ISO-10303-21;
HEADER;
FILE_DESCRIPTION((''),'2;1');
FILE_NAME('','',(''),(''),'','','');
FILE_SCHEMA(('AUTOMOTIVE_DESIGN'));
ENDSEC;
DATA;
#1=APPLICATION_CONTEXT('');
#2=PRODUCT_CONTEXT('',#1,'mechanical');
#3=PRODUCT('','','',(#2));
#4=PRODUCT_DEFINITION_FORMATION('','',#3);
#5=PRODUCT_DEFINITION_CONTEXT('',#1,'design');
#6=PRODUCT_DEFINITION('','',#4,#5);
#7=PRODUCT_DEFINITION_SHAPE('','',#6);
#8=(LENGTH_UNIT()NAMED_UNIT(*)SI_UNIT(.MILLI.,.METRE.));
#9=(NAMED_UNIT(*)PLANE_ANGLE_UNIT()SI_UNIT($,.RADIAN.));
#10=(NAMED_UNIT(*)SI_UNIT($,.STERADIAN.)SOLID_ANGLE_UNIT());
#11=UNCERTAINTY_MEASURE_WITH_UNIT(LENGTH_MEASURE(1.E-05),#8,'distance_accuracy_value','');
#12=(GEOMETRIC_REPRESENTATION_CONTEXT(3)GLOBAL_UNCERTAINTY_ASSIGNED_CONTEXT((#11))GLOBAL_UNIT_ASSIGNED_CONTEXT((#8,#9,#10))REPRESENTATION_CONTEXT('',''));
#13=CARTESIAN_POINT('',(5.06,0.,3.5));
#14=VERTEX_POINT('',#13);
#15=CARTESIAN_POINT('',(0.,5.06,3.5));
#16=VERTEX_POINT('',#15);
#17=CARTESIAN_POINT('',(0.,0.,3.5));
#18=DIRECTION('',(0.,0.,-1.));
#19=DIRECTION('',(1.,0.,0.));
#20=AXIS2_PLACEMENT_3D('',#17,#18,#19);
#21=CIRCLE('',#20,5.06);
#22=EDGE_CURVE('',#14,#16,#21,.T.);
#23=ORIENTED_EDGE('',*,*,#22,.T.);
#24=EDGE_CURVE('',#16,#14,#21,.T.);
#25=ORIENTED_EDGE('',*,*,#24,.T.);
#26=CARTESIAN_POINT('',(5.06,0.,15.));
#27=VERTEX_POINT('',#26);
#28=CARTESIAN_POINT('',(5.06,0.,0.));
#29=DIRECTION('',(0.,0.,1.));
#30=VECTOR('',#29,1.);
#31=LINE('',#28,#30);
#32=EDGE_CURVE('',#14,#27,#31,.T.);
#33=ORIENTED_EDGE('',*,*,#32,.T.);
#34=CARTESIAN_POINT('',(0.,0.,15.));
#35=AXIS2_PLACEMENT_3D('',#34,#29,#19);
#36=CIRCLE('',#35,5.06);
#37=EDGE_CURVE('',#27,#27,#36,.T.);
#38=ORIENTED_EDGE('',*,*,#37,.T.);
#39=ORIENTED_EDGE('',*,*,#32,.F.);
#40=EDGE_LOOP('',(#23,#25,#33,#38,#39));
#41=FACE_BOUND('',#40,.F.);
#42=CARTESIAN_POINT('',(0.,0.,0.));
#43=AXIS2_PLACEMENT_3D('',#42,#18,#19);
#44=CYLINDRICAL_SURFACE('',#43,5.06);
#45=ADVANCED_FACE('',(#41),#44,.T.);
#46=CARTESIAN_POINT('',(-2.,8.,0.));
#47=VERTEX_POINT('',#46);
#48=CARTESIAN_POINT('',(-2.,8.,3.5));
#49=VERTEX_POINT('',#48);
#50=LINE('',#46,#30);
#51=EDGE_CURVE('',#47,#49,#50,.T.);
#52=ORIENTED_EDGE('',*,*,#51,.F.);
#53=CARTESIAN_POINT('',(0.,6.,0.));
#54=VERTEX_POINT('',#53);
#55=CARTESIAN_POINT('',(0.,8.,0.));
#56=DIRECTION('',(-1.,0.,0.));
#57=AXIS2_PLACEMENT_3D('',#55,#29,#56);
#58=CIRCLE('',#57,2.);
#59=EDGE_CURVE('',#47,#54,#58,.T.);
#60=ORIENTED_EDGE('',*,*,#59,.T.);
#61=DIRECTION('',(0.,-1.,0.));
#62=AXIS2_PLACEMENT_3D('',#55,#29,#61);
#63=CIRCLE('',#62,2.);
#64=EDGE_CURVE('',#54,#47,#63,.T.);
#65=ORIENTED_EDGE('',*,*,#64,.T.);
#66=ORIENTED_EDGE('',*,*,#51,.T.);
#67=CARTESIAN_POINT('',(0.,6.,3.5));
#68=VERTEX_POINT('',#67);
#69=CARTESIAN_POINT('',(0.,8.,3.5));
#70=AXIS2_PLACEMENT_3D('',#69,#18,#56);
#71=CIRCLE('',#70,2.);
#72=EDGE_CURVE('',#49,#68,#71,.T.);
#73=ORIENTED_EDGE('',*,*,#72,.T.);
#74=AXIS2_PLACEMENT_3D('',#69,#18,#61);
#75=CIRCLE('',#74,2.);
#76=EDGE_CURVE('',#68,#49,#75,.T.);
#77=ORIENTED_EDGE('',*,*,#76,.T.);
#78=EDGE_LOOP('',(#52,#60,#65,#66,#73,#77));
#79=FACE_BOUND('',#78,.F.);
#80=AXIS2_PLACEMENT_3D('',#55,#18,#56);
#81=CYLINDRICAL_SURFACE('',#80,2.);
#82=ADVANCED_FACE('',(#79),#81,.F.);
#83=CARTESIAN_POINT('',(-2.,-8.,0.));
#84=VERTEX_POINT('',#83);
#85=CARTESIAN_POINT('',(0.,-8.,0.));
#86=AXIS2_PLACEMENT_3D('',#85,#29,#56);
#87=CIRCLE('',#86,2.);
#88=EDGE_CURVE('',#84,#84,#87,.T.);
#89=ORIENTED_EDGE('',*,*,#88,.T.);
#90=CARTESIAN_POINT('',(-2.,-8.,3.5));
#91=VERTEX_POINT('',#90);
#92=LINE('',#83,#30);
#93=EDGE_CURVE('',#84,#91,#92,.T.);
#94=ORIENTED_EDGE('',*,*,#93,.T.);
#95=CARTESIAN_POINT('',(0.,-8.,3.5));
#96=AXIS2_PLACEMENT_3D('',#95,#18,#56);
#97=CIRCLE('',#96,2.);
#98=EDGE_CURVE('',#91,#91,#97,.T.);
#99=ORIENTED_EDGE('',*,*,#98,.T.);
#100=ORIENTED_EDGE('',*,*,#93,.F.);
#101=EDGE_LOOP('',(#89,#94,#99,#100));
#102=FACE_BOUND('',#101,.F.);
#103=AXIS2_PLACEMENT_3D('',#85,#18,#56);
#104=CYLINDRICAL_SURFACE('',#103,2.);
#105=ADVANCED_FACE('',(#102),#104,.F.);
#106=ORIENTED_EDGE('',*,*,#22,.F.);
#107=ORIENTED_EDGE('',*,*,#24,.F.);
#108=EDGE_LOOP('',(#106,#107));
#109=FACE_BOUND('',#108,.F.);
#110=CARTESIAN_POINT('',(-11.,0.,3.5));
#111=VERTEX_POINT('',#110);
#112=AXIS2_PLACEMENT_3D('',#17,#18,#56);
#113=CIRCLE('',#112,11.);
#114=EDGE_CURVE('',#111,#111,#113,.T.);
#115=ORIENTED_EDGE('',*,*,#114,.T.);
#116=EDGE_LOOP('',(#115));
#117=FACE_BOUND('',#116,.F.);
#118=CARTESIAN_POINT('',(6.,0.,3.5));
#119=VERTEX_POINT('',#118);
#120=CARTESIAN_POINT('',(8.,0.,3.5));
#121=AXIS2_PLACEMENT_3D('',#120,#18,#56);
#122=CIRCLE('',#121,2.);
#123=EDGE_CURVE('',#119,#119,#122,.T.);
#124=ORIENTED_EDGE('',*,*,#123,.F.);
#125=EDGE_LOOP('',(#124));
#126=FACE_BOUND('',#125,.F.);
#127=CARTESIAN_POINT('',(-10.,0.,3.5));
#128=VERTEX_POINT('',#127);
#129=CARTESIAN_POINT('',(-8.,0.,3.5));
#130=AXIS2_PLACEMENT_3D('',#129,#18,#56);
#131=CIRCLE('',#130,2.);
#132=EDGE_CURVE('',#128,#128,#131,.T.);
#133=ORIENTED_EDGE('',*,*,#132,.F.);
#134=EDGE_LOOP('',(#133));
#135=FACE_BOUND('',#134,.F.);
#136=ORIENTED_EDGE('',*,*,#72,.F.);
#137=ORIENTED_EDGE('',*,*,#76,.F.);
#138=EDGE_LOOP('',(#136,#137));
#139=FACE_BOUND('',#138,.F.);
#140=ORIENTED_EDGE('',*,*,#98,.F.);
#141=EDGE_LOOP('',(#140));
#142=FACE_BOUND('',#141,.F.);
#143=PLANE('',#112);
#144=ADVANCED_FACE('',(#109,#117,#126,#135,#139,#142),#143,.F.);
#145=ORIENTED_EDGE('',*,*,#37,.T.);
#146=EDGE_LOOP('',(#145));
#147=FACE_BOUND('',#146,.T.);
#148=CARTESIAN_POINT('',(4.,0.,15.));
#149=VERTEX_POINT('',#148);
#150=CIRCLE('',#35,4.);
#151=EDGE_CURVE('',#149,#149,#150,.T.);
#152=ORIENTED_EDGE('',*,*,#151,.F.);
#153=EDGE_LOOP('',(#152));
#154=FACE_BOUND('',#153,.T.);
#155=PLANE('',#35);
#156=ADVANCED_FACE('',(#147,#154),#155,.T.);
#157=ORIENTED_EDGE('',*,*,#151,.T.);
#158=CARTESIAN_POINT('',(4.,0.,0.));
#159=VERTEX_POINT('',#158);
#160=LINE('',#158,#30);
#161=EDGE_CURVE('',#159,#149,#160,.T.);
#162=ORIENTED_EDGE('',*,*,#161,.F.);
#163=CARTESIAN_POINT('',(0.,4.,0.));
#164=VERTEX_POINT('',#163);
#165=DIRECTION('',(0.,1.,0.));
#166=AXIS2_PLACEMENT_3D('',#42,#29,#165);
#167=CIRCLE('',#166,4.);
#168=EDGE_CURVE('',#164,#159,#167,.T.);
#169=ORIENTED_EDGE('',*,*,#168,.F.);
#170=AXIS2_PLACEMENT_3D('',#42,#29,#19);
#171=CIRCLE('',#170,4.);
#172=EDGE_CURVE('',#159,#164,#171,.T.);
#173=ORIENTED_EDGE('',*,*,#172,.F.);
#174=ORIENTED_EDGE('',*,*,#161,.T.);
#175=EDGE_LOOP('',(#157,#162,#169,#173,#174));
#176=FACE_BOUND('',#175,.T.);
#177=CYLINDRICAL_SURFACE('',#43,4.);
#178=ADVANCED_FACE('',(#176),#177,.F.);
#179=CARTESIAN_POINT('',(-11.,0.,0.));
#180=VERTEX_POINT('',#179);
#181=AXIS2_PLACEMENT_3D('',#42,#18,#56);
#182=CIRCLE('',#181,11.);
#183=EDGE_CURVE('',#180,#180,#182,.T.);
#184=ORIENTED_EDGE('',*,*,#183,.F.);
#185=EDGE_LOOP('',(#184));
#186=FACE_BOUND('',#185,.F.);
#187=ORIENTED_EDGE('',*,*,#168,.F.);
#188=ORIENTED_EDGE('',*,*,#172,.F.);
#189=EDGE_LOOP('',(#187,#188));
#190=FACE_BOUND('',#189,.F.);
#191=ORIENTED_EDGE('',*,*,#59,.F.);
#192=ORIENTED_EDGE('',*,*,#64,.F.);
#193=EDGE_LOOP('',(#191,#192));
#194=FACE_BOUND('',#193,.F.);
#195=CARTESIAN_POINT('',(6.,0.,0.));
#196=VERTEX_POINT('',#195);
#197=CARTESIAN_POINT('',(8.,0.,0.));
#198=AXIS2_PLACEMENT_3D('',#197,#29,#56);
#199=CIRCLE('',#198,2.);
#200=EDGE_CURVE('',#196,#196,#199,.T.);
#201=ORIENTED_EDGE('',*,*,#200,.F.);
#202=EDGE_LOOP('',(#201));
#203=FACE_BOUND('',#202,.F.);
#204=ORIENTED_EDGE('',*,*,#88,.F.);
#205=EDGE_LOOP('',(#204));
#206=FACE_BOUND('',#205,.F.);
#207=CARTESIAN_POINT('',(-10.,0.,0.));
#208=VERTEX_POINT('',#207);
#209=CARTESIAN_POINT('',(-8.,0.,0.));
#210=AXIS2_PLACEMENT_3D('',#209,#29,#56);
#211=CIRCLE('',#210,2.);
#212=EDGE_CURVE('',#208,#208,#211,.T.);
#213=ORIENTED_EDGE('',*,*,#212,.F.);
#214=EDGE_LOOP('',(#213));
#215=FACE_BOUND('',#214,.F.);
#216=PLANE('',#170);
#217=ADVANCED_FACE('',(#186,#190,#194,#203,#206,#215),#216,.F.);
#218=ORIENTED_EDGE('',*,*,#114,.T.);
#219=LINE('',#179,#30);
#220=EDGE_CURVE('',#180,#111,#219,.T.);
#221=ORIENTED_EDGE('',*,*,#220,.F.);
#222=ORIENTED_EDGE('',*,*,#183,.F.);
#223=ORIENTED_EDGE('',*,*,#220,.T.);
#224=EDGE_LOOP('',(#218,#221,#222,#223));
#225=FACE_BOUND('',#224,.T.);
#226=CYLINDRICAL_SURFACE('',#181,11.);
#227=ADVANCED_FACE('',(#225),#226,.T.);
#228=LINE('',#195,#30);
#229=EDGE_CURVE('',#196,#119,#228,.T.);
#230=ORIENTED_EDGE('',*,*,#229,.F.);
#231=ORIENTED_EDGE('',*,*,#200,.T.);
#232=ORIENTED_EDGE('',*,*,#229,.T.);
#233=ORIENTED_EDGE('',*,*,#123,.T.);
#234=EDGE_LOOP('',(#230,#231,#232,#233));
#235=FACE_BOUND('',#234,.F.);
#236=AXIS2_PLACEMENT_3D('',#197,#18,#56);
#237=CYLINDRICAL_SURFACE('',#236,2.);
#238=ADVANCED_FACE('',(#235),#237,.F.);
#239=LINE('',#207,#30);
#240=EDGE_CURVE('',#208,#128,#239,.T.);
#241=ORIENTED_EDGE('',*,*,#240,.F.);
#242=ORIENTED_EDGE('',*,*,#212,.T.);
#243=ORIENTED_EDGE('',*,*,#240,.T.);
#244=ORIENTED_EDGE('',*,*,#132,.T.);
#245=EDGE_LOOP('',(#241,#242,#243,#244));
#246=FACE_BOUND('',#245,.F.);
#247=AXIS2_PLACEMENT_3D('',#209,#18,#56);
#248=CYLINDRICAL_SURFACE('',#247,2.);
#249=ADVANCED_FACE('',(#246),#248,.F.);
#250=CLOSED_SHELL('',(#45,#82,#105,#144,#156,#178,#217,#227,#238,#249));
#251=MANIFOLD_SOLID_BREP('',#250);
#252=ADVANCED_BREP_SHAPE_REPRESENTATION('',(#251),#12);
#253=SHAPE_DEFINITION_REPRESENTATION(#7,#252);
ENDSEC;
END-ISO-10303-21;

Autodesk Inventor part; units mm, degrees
ref_plane "YZ Plane" through (0, 0, 0) normal (1, 0, 0) x (0, 1, 0)
ref_plane "XZ Plane" through (0, 0, 0) normal (0, 1, 0) x (-1, 0, 0)
ref_plane "XY Plane" through (0, 0, 0) normal (0, 0, 1) x (1, 0, 0)
sketch "Sketch1" plane through (0, 0, 0) normal (0, 0, 1) x (1, 0, 0)
  circle A0 centre (0, 0) radius 5.06
  circle A1 centre (0, 0) radius 4
  dimension "d0" = 10.12
  dimension "d1" = 8
extrude "Extrusion1" add sketch "Sketch1" along normal blind 15
sketch "Sketch2" plane through (0, 0, 0) normal (0, 0, -1) x (-1, 0, 0)
  circle A0 centre (0, 0) radius 11
  line L0 (0, 0) -> (0, 8)
  circle A1 centre (0, 0) radius 8
  circle A2 centre (0, 8) radius 2
  circle A3 centre (8, 0) radius 2
  circle A4 centre (0, -8) radius 2
  circle A5 centre (-8, 0) radius 2
  circle A6 centre (0, 0) radius 4
  dimension "d4" = 22
  dimension "d5" = 8
  dimension "d6" = 4
  dimension "d7" = 4
  dimension "d8" = 4
  dimension "d9" = 4
extrude "Extrusion2" add sketch "Sketch2" against normal blind 3.5 contours A0 | A2 A1 A3 A4 A5
properties part number "Lead Nut"
